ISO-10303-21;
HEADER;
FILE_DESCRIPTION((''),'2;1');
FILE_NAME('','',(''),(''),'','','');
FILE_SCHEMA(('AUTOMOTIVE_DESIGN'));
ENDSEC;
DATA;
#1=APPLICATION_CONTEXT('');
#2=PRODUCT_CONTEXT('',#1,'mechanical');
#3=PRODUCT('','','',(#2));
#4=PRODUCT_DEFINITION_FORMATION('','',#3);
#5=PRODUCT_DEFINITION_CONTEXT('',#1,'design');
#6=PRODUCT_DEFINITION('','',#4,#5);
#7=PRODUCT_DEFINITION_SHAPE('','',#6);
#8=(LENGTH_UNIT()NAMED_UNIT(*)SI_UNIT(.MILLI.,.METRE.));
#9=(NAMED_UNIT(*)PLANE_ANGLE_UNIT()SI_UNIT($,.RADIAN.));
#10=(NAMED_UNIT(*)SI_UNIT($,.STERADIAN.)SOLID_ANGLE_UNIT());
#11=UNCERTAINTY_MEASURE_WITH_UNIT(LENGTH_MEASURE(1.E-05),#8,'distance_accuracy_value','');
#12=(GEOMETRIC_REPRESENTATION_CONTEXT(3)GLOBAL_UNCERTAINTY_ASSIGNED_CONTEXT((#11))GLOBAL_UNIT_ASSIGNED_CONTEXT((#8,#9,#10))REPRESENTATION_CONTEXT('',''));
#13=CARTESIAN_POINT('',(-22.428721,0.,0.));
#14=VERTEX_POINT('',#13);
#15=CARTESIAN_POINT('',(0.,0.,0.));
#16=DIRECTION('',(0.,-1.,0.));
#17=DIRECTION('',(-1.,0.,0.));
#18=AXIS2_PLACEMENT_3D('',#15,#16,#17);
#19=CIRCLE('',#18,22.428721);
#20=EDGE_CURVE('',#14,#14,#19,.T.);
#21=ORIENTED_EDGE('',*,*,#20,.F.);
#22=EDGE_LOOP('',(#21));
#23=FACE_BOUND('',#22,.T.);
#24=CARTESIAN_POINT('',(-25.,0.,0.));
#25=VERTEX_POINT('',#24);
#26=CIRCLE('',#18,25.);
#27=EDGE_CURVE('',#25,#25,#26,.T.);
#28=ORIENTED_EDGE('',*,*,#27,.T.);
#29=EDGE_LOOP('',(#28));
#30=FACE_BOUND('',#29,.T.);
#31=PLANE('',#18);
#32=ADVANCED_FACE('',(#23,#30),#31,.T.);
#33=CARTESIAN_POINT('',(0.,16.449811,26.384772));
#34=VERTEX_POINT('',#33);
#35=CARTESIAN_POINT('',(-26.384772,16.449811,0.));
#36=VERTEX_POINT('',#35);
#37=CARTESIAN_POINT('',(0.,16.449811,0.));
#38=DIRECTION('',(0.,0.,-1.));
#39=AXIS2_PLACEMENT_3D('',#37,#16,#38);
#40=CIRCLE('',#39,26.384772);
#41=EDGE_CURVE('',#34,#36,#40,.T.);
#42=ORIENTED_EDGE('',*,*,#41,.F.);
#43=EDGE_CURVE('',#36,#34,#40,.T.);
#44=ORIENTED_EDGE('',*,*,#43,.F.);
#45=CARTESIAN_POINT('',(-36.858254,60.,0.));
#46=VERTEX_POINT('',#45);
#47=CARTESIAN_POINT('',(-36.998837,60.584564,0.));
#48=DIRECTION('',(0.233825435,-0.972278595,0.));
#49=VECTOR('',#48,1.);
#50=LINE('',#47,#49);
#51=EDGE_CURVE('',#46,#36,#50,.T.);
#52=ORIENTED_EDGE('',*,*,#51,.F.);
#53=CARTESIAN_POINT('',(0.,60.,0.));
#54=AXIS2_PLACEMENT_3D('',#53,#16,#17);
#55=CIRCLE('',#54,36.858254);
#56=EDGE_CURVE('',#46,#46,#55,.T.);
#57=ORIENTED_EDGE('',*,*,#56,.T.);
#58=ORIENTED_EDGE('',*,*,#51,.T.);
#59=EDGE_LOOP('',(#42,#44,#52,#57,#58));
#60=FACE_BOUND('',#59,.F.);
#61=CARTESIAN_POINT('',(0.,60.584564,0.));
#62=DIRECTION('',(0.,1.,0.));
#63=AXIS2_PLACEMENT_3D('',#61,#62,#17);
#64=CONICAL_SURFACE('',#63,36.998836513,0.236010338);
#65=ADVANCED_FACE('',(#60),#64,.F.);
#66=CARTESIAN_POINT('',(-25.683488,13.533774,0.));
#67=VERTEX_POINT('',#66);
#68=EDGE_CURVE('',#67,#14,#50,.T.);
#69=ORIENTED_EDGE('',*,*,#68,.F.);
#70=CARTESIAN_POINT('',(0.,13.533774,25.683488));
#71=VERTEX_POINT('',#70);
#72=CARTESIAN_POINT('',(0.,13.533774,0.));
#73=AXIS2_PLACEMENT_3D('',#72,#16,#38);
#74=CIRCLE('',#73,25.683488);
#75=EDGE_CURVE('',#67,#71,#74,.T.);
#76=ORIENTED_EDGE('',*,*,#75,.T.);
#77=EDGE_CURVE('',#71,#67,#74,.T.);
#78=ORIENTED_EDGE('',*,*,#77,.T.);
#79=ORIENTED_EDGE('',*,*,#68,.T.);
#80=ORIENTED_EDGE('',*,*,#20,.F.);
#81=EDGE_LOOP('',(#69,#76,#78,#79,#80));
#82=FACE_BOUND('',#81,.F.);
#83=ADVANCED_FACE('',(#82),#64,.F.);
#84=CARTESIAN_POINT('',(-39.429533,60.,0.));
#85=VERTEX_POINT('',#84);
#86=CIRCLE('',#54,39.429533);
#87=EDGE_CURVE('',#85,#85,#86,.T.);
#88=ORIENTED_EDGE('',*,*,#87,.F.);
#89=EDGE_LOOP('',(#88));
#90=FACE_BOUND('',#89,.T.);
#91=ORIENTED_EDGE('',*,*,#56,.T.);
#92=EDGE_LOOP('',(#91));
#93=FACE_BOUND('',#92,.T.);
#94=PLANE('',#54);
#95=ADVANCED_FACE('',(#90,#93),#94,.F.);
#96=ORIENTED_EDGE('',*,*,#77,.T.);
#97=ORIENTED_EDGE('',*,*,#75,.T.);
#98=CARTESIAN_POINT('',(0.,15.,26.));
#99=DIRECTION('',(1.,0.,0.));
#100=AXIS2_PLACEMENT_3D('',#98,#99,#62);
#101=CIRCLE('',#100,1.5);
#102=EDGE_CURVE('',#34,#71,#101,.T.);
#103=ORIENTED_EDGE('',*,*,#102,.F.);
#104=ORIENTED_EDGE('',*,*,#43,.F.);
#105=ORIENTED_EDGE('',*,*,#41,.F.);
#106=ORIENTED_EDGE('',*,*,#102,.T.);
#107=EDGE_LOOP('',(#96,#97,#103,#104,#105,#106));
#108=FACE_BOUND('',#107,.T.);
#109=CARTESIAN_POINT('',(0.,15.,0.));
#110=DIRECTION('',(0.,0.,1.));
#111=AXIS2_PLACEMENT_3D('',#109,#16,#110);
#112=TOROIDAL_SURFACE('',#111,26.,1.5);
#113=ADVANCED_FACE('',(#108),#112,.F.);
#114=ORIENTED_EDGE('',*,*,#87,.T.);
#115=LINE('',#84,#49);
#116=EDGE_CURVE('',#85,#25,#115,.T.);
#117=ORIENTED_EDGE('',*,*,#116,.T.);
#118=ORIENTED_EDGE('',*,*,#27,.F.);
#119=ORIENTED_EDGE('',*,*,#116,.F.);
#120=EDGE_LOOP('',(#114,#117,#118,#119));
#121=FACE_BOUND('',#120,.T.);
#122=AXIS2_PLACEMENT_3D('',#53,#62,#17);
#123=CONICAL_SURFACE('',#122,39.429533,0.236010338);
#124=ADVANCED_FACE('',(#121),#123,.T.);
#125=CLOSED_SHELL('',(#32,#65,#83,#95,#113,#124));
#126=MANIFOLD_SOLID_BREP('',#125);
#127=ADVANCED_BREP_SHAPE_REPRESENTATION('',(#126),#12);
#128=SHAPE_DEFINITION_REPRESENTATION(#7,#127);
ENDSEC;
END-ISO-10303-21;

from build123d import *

# Parameters (mm, degrees)
F2_T = -2.5
F3_R = 1.5


with BuildPart() as f1:
    # F0 (on Top) → F1 (revolve)
    with BuildSketch(Plane.XY):
        Polygon((-39.429533, 60), (-25, 0), (0, 0), (0, 60), align=None)
    revolve(axis=Axis((0, 30, 0), (0, -1, 0)))

    # F2
    f2_openings = [f1.faces().sort_by_distance(p)[0] for p in [
        (0, 60, 0),
        (0, 0, 0),
    ]]
    offset(amount=F2_T, openings=f2_openings)

    # F3 (on Right) → F4 (revolve, cut)
    with BuildSketch(Plane.YZ):
        with Locations((15, 26)):
            Circle(F3_R)
    revolve(axis=Axis((0, 19.297946, 0), (0, 1, 0)), mode=Mode.SUBTRACT)


solid = f1.part
